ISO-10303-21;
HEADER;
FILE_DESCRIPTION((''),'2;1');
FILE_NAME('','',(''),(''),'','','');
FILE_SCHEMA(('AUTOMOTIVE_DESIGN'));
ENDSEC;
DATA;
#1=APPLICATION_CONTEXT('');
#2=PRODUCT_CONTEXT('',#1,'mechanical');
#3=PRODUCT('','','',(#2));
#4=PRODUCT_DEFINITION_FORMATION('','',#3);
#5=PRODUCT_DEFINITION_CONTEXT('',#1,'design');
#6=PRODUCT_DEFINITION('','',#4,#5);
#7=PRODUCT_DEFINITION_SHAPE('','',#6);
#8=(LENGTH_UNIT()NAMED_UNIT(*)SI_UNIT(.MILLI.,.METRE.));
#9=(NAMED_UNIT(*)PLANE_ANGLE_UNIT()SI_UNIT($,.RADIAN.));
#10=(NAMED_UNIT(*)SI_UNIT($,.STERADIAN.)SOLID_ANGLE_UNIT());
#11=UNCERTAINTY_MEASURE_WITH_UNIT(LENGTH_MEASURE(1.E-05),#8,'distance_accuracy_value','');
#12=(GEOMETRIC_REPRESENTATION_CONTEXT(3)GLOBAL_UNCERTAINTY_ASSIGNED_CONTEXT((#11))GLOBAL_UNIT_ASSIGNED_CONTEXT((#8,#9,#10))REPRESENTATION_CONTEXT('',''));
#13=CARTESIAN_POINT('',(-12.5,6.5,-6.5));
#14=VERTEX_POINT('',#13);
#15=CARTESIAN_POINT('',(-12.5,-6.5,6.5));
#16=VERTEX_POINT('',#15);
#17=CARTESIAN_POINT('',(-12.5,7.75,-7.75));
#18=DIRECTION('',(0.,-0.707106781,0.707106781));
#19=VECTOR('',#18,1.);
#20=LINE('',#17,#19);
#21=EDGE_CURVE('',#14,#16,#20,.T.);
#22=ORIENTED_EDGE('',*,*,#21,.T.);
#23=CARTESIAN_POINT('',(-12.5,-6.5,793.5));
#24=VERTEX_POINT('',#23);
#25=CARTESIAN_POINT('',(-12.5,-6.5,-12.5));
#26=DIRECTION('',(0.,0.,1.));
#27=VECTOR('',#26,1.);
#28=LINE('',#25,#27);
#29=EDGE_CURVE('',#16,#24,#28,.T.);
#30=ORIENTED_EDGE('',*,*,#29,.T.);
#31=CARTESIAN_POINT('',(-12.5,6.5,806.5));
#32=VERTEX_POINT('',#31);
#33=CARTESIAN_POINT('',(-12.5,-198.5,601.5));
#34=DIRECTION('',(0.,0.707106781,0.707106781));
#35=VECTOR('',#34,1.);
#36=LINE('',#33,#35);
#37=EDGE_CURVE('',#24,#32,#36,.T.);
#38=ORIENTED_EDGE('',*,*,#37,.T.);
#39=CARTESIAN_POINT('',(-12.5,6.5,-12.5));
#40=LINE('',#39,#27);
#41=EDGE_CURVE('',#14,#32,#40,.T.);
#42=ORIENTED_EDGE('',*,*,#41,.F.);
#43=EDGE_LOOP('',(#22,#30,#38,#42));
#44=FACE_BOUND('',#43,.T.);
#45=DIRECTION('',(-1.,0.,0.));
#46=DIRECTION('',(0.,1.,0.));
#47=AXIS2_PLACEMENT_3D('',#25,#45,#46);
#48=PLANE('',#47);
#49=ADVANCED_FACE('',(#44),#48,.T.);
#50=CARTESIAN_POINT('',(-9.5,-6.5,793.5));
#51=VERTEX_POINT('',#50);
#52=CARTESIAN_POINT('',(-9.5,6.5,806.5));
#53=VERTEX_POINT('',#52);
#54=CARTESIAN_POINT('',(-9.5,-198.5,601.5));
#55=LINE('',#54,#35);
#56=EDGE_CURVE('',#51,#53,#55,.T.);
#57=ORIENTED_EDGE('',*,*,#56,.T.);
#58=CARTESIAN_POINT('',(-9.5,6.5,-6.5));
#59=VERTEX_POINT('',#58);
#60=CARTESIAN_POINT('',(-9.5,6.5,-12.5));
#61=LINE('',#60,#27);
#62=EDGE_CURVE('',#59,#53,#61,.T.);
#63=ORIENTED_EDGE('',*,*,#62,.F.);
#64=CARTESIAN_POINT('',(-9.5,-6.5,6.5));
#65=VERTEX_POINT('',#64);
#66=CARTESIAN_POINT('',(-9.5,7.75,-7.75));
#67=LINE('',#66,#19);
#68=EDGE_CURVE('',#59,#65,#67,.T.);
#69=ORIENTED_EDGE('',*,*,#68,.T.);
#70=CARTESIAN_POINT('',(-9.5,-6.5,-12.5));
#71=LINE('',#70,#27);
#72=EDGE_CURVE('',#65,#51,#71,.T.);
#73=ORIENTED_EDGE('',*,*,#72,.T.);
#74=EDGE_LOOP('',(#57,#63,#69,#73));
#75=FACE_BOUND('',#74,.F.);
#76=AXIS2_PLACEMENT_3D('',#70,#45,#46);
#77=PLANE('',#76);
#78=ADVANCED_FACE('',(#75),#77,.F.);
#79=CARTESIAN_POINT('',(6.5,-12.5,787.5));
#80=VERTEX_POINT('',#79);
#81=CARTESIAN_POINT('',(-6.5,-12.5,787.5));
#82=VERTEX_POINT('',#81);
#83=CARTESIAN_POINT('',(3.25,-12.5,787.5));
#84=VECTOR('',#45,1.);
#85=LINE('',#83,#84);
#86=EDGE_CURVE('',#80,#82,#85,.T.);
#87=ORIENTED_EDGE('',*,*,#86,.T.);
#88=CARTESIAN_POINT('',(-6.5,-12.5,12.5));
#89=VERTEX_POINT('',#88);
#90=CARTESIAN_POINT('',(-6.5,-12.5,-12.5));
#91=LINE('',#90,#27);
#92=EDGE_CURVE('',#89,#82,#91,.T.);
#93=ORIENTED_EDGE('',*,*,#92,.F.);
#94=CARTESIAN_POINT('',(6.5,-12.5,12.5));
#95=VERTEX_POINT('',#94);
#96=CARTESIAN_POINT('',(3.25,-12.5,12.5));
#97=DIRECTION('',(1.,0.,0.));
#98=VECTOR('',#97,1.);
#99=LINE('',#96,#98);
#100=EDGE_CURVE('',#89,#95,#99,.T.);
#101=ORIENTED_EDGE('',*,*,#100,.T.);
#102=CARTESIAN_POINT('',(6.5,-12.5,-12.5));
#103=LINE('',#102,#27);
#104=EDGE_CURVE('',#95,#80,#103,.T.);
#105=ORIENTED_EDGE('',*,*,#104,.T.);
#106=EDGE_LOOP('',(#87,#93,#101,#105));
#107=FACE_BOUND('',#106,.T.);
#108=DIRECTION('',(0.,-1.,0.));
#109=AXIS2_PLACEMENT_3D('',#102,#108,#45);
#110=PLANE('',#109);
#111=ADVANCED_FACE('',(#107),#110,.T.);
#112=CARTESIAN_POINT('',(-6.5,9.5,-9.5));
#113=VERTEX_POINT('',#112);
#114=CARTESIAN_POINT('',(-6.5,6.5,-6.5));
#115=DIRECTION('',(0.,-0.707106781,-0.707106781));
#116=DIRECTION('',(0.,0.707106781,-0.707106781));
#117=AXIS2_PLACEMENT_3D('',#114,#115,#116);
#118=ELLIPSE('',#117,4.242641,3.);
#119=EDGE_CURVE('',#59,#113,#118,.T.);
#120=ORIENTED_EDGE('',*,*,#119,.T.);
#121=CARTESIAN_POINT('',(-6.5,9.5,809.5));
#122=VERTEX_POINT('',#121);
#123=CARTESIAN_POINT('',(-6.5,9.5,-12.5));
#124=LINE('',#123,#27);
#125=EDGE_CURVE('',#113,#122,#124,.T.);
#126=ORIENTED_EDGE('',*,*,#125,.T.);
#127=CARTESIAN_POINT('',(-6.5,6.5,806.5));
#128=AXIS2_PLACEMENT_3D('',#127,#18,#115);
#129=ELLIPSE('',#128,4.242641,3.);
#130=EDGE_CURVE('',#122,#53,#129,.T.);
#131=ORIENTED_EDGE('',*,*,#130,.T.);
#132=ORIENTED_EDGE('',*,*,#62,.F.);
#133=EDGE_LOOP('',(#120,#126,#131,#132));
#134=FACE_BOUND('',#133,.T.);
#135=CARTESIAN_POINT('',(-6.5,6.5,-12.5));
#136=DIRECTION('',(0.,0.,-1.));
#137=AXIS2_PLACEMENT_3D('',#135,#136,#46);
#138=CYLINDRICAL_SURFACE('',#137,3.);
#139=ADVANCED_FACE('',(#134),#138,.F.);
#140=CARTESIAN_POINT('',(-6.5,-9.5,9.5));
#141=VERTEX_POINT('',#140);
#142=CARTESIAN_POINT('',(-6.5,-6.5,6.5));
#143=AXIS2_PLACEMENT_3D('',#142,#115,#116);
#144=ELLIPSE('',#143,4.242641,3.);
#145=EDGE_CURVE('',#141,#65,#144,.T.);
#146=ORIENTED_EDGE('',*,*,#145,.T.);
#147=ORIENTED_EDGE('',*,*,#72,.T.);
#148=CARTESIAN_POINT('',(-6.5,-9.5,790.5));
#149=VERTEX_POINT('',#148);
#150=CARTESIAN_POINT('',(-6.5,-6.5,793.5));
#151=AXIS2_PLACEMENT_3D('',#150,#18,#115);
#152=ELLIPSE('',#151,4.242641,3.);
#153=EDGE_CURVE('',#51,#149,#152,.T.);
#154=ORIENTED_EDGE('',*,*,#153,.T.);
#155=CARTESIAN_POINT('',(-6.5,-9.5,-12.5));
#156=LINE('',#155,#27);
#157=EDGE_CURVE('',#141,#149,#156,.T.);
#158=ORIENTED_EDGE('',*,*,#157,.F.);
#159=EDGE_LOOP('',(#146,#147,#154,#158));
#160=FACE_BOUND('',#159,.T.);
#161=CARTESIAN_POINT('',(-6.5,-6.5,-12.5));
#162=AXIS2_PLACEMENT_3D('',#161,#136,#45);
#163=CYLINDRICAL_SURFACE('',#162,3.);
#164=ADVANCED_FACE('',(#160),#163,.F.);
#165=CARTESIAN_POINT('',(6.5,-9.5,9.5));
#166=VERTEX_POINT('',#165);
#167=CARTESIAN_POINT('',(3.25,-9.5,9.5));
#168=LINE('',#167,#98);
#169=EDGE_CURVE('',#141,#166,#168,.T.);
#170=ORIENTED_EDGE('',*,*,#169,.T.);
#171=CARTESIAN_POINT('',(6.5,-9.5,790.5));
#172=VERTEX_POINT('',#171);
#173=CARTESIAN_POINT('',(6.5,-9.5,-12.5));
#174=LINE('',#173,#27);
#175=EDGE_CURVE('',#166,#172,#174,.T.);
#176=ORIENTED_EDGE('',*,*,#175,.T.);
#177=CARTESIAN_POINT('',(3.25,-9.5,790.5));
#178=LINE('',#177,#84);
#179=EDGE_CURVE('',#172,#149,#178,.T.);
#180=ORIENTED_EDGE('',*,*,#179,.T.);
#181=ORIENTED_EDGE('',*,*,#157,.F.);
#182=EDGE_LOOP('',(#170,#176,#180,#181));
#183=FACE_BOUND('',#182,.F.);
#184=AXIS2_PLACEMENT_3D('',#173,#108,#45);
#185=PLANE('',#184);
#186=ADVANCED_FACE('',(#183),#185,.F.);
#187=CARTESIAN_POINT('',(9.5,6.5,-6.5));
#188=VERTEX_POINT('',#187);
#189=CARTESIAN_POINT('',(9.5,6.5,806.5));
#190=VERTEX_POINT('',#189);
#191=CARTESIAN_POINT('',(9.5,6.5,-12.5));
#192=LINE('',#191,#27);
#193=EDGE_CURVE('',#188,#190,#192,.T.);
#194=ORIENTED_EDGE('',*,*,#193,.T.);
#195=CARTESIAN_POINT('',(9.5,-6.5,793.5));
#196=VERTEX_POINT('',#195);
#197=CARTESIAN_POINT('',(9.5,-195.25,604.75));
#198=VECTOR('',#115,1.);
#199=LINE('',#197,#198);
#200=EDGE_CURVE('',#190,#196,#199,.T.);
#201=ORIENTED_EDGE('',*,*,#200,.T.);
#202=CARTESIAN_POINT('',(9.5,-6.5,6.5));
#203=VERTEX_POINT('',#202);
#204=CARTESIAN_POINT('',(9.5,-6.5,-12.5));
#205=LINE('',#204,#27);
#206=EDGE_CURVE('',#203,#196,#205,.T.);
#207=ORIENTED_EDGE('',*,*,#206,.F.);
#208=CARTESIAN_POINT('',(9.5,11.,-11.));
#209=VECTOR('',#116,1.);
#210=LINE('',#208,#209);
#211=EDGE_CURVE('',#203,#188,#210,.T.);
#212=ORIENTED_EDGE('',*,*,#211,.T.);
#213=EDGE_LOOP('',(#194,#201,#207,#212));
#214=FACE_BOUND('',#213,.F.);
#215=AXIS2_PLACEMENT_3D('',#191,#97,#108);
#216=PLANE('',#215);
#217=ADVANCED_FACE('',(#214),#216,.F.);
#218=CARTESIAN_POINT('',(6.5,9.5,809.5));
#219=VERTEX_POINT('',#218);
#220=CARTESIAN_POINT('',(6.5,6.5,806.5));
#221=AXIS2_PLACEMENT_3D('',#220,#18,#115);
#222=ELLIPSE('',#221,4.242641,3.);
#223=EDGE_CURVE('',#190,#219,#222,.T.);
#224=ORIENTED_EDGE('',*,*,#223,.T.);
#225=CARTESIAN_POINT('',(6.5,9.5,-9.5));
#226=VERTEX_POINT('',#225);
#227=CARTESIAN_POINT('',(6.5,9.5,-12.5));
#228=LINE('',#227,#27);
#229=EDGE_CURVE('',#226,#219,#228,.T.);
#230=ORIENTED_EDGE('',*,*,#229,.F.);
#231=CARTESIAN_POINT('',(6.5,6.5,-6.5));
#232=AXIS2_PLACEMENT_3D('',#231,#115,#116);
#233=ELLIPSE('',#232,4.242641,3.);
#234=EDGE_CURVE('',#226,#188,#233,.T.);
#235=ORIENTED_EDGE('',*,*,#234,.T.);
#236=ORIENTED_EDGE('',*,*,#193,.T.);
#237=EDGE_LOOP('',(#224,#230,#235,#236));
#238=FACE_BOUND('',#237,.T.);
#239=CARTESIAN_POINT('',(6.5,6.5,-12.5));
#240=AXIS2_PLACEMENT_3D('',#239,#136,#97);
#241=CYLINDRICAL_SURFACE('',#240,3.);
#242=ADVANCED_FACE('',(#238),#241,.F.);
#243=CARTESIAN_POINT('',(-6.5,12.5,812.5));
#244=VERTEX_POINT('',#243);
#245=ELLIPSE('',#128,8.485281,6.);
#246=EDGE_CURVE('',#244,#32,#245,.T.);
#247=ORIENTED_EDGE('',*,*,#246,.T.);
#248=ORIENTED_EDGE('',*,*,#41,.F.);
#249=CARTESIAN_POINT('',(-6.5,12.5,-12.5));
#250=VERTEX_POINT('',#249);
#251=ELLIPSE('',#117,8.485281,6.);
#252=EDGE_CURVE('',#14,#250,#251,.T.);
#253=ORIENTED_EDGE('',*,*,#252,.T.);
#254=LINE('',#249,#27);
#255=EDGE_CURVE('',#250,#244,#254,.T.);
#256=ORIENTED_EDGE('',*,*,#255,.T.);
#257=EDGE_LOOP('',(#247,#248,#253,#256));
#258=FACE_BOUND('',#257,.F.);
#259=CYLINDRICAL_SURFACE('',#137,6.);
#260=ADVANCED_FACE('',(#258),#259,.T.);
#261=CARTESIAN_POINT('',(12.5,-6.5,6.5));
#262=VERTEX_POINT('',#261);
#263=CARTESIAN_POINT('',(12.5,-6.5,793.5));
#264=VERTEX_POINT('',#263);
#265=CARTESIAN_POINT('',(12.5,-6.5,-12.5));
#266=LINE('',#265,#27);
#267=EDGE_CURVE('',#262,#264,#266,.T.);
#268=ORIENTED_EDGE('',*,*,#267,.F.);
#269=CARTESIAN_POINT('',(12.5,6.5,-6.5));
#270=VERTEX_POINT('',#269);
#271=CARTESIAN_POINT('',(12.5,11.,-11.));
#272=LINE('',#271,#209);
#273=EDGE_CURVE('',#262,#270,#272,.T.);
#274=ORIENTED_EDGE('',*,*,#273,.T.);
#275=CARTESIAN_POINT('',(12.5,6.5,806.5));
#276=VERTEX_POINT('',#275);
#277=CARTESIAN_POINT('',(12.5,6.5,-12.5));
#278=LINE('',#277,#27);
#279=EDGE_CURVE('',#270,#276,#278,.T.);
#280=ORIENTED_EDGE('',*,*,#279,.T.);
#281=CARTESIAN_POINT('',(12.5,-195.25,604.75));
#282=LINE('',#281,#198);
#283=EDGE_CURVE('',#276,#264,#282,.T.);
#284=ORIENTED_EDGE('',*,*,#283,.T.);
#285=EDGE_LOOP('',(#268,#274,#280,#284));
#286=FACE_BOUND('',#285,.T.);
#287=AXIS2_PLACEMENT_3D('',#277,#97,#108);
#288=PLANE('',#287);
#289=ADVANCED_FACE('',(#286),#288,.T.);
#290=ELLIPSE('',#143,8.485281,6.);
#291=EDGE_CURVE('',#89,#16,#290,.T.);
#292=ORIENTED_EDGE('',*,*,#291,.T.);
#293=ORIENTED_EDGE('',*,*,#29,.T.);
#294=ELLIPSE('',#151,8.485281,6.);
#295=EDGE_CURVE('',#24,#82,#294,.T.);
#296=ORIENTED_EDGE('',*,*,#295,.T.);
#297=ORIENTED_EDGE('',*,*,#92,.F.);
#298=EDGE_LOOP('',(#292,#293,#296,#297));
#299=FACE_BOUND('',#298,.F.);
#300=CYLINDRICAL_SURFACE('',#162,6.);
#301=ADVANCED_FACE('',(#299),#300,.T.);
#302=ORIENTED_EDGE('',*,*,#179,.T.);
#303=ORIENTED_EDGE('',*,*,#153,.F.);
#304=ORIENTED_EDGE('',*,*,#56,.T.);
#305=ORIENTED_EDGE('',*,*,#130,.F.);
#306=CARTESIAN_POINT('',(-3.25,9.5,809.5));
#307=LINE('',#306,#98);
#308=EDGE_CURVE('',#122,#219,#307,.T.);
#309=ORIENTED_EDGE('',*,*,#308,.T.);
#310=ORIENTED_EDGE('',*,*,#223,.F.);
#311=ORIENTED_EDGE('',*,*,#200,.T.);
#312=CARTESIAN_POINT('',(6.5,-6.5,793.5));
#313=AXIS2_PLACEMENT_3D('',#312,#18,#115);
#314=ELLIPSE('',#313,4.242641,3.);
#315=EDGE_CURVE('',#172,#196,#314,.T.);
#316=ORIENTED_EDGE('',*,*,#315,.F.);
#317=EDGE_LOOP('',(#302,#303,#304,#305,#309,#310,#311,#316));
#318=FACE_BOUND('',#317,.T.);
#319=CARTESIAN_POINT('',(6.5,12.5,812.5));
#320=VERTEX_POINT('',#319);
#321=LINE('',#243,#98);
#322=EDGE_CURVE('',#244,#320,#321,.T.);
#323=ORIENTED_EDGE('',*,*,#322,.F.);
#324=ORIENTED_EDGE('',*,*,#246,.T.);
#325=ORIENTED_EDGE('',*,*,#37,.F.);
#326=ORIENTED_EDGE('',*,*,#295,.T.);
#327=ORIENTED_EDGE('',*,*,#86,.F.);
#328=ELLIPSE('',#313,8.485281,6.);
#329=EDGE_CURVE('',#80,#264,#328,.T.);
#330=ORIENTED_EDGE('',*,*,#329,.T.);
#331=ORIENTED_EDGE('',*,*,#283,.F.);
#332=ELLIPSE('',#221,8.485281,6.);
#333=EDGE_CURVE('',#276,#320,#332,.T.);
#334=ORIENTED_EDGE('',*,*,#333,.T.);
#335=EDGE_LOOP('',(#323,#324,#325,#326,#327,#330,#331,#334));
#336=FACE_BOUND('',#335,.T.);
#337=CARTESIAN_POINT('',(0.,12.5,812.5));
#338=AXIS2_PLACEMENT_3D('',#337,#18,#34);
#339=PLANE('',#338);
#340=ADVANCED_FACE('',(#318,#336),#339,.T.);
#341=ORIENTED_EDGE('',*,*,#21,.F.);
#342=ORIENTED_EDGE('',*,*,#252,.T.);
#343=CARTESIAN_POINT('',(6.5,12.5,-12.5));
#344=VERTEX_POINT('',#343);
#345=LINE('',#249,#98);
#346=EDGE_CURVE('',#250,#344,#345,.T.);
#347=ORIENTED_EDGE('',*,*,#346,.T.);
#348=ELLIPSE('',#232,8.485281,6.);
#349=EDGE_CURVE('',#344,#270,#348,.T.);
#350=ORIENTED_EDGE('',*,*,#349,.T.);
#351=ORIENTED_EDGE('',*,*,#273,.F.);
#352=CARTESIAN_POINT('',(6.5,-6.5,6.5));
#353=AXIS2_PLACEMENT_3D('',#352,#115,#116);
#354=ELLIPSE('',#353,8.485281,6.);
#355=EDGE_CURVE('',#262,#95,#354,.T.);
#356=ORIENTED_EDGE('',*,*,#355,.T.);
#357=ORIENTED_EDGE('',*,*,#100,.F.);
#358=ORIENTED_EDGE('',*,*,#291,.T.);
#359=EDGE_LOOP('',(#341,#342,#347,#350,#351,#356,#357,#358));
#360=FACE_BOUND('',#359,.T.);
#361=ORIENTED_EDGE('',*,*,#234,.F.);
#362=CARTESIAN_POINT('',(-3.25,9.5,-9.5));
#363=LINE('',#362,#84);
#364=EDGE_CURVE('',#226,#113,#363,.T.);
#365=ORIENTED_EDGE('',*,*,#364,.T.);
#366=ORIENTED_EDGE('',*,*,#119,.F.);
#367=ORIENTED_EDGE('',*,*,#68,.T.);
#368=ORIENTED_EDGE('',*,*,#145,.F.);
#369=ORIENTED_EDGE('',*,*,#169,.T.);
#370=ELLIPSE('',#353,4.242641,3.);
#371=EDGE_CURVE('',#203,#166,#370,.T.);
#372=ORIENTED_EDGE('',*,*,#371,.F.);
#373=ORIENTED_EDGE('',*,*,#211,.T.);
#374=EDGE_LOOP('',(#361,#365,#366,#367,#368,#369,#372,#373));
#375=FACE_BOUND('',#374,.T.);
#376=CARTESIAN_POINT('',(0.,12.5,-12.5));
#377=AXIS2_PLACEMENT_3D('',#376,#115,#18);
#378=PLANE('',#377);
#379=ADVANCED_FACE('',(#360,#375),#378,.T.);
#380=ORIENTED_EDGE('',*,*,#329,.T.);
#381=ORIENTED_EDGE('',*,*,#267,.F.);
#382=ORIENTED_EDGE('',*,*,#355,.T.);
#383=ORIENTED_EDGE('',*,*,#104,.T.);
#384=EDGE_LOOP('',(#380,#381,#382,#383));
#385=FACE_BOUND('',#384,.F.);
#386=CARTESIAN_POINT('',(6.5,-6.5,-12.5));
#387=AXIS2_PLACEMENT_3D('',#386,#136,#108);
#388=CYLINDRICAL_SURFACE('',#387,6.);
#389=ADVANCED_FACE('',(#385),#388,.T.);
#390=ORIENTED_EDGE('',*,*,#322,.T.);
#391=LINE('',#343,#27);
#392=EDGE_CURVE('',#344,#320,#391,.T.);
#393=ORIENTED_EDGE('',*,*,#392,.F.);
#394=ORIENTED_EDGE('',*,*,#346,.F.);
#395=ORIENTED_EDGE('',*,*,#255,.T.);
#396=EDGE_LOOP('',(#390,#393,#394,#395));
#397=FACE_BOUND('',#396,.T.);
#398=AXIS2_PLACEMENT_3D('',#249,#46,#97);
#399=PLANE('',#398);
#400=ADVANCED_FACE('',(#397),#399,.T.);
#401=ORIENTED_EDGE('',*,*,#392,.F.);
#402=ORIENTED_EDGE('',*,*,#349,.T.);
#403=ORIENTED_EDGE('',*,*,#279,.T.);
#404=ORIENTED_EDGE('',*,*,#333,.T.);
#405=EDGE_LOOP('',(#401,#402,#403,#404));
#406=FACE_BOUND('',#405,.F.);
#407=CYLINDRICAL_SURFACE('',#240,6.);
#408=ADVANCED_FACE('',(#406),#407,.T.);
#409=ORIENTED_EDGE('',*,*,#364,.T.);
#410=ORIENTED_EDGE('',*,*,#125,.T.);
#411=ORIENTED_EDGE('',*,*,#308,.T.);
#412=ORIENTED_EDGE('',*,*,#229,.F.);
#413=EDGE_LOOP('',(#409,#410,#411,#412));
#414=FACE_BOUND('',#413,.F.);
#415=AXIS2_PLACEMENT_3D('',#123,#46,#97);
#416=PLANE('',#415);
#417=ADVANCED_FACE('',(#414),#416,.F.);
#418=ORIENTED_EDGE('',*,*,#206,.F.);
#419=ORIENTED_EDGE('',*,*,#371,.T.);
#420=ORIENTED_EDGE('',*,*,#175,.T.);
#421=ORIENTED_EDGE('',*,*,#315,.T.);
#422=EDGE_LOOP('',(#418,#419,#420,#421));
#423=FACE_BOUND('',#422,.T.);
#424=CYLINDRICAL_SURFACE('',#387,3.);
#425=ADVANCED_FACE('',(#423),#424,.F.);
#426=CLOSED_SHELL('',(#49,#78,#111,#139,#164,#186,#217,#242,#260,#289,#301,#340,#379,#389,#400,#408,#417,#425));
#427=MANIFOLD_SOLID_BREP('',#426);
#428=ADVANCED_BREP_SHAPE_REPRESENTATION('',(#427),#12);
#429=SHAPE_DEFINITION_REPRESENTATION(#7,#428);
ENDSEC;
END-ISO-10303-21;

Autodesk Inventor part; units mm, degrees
ref_plane "Start plane" through (0, 0, -12.5) normal (0, 0, 1) x (1, 0, 0)
ref_plane "End plane" through (0, 0, 812.5) normal (0, 0, 1) x (1, 0, 0)
sketch "Sketch" plane through (0, 0, 0) normal (0, 0, 1) x (1, 0, 0)
  line L0 (-12.5, -6.5) -> (-12.5, 6.5)
  line L1 (-6.5, 12.5) -> (6.5, 12.5)
  line L2 (12.5, 6.5) -> (12.5, -6.5)
  line L3 (6.5, -12.5) -> (-6.5, -12.5)
  arc A0 (-12.5, -6.5) -> (-6.5, -12.5) centre (-6.5, -6.5) ccw
  arc A1 (-6.5, 12.5) -> (-12.5, 6.5) centre (-6.5, 6.5) ccw
  arc A2 (12.5, 6.5) -> (6.5, 12.5) centre (6.5, 6.5) ccw
  arc A3 (6.5, -12.5) -> (12.5, -6.5) centre (6.5, -6.5) ccw
  arc A4 (-6.5, 9.5) -> (-9.5, 6.5) centre (-6.5, 6.5) ccw
  line L4 (-6.5, 9.5) -> (6.5, 9.5)
  arc A5 (9.5, 6.5) -> (6.5, 9.5) centre (6.5, 6.5) ccw
  line L5 (9.5, 6.5) -> (9.5, -6.5)
  arc A6 (6.5, -9.5) -> (9.5, -6.5) centre (6.5, -6.5) ccw
  line L6 (6.5, -9.5) -> (-6.5, -9.5)
  arc A7 (-9.5, -6.5) -> (-6.5, -9.5) centre (-6.5, -6.5) ccw
  line L7 (-9.5, -6.5) -> (-9.5, 6.5)
  line L8 (0, 19.2397) -> (0, -19.2397) construction
  line L9 (-19.2397, 0) -> (19.2397, 0) construction
  dimension "d7" = 6
  dimension "d10" = 25
  dimension "d11" = 25
  dimension "d12" = 3
  dimension "d15" = 12.5
  dimension "d16" = 12.5
extrude "Body" add sketch "Sketch" along normal up to surface (825 mm away) from surface at -12.5
sketch "Sketch3" plane through (0, 0, 0) normal (0, 0, 1) x (1, 0, 0)
  line L0 (0, 0) -> (10, 0)
ref_plane "Work Plane3" through (0, 0, 0) normal (0, -1, 0) x (1, 0, 0)
sketch "Sketch4" plane through (0, 0, 0) normal (0, -1, 0) x (1, 0, 0)
  line L0 (-2, -12.5) -> (12, -12.5)
  line L1 (-2, 812.5) -> (12, 812.5)
  dimension "d18" = 825
ref_plane "Work Plane4" through (0, 0, -12.5) normal (0, 0, -1) x (-1, 0, 0)
split "Split1" plane through (0, 0, -12.5) removes the side toward (0, 0, -1)
ref_plane "Work Plane5" through (-125, 0, 812.5) normal (0, 0, 1) x (1, 0, 0)
split "Split2" plane through (-125, 0, 812.5) removes the side toward (0, 0, 1)
ref_plane "Work Plane6" through (0, 12.5, -12.5) normal (0, -0.7071, -0.7071) x (1, 0, 0)
split "Split3" plane through (0, 12.5, -12.5) removes the side toward (0, -0.7071, -0.7071)
ref_plane "Work Plane7" through (0, 12.5, 812.5) normal (0, -0.7071, 0.7071) x (1, 0, 0)
split "Split4" plane through (0, 12.5, 812.5) removes the side toward (0, -0.7071, 0.7071)
equation "\"d7\" = G_IR"
equation "\"d10\" = G_H"
equation "\"d11\" = G_W"
equation "\"d12\" = G_T"
equation "\"d15\" = 0.5 * d10"
equation "\"d16\" = 0.5 * d11"
equation "\"d3\" = G_L"
equation "\"G_W\" = 25"
equation "\"G_H\" = 25"
equation "\"G_T\" = 3"
equation "\"G_IR\" = 6"
equation "\"G_L\" = d18"
equation "\"G_OFFSET_START\" = 12.5"
equation "\"G_OFFSET_END\" = 12.5"
equation "\"d13\" = -G_OFFSET_START"
equation "\"d14\" = G_OFFSET_END + B_L"
equation "\"B_L\" = 800"
properties part number "AS 1163 - C350L0 25x25x3.0 SHS - 825" material "Steel, Mild"
